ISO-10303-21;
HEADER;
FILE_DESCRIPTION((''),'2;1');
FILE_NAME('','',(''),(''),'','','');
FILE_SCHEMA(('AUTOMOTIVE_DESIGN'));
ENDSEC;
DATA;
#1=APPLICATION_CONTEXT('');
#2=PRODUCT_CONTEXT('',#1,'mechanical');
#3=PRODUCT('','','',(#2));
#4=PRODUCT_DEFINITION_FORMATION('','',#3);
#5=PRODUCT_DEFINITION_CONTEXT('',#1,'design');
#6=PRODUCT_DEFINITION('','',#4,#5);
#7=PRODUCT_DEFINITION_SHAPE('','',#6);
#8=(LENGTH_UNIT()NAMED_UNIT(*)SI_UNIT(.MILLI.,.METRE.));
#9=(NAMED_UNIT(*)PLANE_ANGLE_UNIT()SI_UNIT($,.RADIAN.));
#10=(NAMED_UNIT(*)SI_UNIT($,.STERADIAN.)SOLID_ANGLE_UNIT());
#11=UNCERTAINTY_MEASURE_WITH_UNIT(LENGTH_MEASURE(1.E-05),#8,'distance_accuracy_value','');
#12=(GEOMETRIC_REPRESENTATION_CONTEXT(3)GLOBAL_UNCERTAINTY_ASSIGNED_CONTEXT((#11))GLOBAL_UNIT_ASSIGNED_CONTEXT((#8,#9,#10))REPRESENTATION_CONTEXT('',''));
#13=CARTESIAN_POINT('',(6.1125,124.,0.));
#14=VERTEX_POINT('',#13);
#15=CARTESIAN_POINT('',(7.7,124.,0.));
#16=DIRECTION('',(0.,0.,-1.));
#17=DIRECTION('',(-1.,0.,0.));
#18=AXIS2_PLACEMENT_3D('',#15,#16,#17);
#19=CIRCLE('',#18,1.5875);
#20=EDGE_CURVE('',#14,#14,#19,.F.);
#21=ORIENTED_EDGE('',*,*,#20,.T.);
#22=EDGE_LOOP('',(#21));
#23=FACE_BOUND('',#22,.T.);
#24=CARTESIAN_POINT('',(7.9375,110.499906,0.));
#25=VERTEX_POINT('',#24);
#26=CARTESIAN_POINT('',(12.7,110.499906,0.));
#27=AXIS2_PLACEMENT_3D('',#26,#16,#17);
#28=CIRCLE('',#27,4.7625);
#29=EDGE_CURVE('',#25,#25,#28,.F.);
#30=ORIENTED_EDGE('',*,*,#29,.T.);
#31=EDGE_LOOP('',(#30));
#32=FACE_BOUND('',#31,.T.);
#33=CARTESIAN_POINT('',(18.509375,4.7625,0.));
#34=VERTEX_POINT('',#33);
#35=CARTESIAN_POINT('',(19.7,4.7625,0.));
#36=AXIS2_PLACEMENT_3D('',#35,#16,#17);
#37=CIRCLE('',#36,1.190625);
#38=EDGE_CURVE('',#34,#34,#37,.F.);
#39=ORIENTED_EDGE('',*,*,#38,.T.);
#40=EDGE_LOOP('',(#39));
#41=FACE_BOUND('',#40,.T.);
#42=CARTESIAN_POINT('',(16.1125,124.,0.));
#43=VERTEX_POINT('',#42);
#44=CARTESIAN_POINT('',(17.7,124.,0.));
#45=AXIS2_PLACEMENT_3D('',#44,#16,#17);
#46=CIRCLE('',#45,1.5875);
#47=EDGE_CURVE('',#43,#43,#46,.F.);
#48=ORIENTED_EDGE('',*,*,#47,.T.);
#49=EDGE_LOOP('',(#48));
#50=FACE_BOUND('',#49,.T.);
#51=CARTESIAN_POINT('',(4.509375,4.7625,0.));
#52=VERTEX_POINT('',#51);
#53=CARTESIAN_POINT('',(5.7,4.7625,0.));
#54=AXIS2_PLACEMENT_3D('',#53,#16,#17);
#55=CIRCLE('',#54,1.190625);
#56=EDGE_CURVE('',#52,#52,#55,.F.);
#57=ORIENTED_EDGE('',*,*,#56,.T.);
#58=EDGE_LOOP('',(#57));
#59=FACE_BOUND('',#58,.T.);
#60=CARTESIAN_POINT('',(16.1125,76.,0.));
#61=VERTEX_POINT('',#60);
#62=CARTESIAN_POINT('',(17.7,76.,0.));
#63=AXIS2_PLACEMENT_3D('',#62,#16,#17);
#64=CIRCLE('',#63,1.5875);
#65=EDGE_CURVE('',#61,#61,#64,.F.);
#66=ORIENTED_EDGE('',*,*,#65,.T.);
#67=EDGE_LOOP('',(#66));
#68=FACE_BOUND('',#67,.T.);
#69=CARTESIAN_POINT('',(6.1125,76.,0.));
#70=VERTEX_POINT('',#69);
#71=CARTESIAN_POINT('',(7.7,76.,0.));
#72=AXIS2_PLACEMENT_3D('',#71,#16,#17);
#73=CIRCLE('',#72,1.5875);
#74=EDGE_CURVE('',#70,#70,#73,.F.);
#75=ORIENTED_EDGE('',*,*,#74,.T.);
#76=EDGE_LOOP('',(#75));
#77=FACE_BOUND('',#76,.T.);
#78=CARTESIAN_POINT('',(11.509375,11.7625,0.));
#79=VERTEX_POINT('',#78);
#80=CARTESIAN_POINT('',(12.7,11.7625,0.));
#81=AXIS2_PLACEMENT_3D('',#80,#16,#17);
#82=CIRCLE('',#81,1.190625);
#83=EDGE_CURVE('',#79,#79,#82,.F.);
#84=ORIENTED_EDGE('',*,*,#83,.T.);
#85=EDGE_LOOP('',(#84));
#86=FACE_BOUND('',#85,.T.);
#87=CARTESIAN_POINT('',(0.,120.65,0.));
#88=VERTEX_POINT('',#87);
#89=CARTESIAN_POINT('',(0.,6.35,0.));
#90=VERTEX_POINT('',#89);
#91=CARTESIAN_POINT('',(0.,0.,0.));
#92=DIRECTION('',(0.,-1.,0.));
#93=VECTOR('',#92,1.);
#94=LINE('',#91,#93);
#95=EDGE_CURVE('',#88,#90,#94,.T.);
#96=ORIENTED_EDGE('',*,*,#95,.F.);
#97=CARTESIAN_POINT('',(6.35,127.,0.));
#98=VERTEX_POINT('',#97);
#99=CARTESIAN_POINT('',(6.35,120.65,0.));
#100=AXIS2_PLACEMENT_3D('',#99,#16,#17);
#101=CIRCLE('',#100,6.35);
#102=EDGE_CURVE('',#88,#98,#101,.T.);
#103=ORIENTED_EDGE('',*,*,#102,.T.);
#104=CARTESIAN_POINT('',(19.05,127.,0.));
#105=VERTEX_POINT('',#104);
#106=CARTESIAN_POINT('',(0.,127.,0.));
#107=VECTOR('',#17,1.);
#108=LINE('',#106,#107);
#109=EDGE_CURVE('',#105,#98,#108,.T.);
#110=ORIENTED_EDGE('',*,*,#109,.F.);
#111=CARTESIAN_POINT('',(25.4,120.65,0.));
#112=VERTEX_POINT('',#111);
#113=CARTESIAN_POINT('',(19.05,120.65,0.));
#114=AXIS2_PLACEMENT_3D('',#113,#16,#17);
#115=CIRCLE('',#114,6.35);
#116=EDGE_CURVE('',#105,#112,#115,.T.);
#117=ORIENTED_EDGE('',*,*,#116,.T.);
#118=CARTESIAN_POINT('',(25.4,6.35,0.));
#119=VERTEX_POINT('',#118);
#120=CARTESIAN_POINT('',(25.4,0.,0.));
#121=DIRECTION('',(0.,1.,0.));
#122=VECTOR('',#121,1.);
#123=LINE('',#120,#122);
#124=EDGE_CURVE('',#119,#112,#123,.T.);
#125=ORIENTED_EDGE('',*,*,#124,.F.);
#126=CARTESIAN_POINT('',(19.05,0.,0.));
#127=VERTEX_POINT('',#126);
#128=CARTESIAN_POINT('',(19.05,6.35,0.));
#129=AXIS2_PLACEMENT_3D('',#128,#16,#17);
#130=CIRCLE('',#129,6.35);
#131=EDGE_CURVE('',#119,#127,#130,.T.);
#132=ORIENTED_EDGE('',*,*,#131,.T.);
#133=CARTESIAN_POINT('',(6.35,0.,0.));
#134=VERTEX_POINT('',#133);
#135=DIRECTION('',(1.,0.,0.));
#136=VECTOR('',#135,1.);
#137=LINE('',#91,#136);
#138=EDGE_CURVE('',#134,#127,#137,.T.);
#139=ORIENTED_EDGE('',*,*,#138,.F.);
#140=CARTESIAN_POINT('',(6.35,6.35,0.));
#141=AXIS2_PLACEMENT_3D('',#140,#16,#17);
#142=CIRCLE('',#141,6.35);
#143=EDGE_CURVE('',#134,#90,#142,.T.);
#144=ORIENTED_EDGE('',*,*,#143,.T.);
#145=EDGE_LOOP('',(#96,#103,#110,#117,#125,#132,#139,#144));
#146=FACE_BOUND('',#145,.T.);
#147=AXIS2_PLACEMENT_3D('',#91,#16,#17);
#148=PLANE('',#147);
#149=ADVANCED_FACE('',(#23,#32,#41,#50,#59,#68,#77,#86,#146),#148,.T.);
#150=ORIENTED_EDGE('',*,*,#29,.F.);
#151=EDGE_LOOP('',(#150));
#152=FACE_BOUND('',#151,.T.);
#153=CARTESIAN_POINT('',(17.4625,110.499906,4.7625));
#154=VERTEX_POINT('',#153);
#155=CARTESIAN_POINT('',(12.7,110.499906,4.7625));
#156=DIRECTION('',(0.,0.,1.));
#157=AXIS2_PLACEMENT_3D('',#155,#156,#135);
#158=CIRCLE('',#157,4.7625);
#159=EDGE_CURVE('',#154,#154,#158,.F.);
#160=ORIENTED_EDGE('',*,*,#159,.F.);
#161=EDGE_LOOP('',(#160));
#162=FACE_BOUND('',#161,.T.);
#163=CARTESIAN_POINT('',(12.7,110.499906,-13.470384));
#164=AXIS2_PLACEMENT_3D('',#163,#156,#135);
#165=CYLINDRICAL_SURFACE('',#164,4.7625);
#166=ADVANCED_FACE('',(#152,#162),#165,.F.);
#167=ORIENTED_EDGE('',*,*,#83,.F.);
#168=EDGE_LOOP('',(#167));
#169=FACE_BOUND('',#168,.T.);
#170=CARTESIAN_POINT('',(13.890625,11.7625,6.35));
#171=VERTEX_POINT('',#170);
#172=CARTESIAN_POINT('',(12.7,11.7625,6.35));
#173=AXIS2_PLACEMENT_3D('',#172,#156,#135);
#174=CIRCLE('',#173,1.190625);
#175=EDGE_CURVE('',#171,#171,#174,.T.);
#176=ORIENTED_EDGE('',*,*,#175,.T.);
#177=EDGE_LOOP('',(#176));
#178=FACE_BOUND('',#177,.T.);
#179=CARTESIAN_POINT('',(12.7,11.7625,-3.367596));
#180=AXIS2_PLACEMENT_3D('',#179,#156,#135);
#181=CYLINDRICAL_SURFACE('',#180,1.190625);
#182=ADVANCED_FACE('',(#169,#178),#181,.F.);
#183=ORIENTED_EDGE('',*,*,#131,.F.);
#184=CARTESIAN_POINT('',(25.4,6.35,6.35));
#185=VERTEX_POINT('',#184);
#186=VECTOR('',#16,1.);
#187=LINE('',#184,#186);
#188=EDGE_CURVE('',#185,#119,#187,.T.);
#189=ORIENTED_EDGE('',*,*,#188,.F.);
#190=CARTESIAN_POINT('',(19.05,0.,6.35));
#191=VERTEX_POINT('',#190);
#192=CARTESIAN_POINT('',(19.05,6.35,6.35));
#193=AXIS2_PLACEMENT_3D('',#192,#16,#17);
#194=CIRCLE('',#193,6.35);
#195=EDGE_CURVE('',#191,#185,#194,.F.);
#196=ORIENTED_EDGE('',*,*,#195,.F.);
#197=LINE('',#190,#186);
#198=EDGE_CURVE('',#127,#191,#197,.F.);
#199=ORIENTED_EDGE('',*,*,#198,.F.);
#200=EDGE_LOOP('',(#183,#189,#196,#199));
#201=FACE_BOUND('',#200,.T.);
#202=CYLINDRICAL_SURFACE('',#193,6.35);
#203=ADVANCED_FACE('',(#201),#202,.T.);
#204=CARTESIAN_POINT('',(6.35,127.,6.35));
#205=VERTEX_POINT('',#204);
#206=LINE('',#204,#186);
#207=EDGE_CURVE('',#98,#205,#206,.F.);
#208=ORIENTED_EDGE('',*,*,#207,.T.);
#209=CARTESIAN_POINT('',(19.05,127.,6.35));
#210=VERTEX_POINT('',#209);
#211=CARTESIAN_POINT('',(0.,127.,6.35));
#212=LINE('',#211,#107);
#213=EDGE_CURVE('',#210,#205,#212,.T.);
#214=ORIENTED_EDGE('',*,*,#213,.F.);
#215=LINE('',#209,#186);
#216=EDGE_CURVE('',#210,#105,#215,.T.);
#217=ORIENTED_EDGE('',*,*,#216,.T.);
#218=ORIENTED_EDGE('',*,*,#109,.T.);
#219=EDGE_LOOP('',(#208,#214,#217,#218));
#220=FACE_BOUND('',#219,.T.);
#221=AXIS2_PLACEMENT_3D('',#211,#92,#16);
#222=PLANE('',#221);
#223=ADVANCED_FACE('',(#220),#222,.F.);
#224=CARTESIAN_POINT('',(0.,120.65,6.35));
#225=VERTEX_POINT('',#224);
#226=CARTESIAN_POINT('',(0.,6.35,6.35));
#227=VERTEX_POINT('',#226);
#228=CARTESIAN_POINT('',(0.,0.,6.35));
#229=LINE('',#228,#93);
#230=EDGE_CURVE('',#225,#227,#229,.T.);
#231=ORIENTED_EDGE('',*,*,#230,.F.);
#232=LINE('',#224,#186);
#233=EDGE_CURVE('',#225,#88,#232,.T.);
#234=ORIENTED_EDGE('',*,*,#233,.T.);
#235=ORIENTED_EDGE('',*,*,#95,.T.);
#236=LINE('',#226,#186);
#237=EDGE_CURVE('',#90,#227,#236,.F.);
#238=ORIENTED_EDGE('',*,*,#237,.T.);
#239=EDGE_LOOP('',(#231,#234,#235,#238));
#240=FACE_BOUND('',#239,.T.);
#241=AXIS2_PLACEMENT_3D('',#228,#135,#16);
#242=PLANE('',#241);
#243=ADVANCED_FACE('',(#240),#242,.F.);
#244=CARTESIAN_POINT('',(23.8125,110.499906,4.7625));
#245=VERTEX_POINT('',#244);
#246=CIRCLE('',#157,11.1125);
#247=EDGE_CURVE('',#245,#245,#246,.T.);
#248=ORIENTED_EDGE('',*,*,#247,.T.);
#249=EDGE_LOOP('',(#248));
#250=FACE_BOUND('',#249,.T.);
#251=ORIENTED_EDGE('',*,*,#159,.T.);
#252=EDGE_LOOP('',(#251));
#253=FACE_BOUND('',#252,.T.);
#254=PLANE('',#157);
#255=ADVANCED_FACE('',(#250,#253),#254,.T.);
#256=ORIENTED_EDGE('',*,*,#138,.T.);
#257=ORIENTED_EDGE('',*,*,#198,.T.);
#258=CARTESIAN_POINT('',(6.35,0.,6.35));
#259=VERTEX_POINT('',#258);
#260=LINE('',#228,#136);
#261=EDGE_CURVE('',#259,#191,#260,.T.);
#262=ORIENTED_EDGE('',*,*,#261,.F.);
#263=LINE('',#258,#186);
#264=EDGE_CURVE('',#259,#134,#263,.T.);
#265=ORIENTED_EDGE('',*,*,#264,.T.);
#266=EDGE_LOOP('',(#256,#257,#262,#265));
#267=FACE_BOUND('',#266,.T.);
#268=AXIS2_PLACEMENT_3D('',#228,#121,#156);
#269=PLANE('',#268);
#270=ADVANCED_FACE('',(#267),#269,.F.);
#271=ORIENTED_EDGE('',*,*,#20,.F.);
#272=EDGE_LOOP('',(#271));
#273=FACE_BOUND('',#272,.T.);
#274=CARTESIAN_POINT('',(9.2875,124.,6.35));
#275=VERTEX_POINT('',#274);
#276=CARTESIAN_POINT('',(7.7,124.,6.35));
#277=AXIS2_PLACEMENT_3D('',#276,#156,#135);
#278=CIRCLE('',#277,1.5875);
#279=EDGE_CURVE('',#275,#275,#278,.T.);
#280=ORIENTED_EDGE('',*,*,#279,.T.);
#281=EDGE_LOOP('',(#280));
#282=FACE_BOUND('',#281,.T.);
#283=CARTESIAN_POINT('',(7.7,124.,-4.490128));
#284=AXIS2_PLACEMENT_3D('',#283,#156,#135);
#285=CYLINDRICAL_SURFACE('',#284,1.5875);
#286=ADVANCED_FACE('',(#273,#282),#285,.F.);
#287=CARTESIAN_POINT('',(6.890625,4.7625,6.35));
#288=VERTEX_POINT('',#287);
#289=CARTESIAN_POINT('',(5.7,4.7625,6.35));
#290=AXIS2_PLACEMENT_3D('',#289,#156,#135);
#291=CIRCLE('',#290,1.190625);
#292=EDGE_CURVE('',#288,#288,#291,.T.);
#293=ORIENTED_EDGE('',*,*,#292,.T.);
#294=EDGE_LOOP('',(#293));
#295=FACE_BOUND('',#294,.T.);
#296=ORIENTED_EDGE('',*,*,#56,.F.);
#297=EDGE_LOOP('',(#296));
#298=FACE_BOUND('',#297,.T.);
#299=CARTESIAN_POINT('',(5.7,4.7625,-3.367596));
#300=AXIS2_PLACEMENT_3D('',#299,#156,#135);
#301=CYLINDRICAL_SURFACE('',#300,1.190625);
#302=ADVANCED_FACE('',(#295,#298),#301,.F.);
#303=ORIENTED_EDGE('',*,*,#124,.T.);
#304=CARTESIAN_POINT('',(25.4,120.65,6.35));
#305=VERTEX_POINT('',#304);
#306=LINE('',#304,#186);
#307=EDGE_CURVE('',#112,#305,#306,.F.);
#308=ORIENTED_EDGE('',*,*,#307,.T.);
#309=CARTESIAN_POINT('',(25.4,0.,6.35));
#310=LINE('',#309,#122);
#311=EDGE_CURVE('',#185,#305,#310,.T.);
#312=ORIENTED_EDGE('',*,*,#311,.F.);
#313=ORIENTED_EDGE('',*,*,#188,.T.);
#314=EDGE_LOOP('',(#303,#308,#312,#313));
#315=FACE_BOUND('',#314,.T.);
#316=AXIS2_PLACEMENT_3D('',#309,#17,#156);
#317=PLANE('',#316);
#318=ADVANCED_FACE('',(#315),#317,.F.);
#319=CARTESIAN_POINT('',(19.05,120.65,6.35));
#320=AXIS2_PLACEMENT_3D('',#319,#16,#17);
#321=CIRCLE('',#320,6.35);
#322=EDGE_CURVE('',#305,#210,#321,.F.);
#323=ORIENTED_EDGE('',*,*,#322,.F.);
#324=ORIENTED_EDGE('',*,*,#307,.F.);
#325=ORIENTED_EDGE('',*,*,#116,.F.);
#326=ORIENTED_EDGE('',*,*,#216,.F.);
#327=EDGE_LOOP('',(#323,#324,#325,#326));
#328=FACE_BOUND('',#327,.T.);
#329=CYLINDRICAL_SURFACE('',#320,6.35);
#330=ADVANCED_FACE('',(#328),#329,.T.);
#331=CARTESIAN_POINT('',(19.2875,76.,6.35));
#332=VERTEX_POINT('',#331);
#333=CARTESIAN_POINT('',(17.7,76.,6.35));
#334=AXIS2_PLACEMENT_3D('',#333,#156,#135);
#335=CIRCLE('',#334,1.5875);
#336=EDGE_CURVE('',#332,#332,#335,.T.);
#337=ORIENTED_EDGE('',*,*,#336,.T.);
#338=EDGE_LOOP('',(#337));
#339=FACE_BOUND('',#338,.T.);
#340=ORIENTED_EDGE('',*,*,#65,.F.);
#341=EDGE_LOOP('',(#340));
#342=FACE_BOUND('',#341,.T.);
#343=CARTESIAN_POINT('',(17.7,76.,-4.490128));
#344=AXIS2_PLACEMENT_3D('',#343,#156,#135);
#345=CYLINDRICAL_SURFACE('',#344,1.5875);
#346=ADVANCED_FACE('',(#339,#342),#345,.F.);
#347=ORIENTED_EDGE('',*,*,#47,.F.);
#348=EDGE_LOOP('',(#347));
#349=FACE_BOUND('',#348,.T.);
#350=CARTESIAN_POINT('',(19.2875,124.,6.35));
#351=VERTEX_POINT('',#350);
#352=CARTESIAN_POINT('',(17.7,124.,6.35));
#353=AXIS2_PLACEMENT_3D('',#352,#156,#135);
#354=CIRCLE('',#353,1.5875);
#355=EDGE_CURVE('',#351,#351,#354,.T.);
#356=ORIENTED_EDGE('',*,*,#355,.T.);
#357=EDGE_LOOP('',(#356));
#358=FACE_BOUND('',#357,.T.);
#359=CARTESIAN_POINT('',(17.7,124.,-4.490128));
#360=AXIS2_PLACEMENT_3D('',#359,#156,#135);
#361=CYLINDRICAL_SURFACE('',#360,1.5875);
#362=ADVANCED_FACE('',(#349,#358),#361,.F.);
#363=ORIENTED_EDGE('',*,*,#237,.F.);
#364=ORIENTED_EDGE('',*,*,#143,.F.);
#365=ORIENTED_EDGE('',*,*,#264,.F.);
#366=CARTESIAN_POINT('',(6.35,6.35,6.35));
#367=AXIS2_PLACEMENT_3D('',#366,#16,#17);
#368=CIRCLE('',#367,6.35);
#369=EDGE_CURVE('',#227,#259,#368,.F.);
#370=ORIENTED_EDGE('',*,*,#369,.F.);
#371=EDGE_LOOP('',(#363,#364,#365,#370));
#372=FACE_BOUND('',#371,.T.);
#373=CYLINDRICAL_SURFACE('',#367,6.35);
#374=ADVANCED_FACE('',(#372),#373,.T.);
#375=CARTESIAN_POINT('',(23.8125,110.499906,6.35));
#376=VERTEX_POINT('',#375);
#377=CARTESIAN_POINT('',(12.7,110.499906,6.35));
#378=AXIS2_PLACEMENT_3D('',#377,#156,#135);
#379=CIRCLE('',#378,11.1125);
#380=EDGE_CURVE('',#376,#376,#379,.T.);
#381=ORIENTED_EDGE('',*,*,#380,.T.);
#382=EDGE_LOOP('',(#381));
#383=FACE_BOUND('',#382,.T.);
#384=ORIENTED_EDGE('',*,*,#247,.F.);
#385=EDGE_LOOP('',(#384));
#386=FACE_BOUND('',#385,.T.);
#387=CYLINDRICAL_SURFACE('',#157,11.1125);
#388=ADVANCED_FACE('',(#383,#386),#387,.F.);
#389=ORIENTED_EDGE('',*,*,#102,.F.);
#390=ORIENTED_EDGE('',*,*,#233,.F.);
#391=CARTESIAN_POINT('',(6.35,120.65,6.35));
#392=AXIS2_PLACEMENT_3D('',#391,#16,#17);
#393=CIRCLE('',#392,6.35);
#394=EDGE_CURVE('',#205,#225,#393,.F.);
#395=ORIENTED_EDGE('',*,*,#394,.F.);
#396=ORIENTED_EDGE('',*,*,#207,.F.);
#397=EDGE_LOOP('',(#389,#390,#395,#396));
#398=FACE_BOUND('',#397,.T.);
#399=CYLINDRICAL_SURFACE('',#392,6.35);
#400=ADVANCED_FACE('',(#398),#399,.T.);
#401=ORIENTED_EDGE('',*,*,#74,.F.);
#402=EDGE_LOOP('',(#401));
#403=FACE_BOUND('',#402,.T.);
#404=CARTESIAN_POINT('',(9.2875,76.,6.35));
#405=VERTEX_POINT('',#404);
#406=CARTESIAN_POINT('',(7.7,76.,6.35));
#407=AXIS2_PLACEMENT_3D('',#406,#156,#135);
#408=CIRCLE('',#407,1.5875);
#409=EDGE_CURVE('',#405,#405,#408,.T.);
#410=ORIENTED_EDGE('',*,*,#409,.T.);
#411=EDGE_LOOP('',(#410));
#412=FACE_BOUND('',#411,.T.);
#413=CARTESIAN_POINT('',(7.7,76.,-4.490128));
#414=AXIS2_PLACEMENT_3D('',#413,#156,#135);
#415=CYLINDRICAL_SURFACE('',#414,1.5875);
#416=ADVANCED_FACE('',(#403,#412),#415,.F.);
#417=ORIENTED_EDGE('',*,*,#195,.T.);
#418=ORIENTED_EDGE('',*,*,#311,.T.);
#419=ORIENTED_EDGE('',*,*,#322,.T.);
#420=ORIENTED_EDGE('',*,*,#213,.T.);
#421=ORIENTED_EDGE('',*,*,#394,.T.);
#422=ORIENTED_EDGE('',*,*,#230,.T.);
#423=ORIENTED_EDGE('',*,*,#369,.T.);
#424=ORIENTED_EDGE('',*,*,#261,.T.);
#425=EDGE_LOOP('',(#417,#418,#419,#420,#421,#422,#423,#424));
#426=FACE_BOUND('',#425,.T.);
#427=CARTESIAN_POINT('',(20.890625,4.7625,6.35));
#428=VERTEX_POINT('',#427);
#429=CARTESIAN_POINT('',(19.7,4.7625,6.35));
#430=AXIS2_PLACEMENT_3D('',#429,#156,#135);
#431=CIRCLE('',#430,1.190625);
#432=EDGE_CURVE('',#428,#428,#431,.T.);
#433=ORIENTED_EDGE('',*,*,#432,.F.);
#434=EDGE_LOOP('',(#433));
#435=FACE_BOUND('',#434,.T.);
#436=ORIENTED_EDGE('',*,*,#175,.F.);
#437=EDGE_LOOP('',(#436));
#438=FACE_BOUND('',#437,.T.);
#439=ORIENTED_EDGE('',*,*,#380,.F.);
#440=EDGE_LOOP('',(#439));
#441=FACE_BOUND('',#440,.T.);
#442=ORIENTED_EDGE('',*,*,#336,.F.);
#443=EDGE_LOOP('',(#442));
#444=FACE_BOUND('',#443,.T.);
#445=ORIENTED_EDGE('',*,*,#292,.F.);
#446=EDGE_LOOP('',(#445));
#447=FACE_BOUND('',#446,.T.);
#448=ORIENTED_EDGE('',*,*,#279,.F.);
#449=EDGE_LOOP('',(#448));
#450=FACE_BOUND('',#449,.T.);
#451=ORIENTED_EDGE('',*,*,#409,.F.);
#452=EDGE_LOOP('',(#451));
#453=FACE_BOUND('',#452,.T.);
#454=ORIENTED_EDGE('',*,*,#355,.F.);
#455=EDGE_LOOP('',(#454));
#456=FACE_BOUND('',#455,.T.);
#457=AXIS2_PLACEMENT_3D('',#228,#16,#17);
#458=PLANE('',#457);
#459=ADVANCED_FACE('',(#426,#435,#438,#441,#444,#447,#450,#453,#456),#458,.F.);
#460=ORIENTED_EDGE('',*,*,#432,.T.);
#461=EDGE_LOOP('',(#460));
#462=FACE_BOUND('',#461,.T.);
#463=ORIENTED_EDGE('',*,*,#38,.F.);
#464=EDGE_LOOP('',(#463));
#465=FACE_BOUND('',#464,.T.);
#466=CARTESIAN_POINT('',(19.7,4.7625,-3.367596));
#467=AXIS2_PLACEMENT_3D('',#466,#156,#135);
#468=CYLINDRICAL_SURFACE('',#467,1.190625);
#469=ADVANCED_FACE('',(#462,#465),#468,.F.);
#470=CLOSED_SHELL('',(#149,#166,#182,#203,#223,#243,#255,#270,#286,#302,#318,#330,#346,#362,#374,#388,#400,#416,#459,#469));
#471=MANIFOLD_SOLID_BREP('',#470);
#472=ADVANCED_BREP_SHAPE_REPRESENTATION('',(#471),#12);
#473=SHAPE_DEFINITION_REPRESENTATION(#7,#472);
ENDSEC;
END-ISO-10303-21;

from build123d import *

# Parameters (mm, degrees)
SKETCH1_W           = 25.4
SKETCH1_H           = 127
BOSS_EXTRUDE1_DEPTH = 6.35
SKETCH2_R           = 1.190625
CUT_EXTRUDE1_DEPTH  = 6.35
FILLET1_R           = 6.35
SKETCH3_R           = 4.7625
CUT_EXTRUDE2_DEPTH  = 6.35
FILLET2_R           = 6.35
SKETCH4_R           = 11.1125
CUT_EXTRUDE3_DEPTH  = 1.5875
SKETCH5_R           = 1.5875
CUT_EXTRUDE4_DEPTH  = 6.35


with BuildPart() as part:
    # Sketch1 → Boss-Extrude1 (new body)
    with BuildSketch(Plane.XY):
        with Locations((12.7, 63.5)):
            Rectangle(SKETCH1_W, SKETCH1_H)
    extrude(amount=BOSS_EXTRUDE1_DEPTH)

    # Sketch2 → Cut-Extrude1 (cut)
    with BuildSketch(Plane.XY.offset(6.35)):
        with Locations((5.7, 4.7625)):
            Circle(SKETCH2_R)
        with Locations((19.7, 4.7625)):
            Circle(SKETCH2_R)
        with Locations((12.7, 11.7625)):
            Circle(SKETCH2_R)
    extrude(amount=-CUT_EXTRUDE1_DEPTH, mode=Mode.SUBTRACT)

    # Fillet1
    fillet1_edges = [part.edges().sort_by_distance(p)[0] for p in [
        (25.4, 0, 3.175),
        (0, 0, 3.175),
    ]]
    fillet(fillet1_edges, radius=FILLET1_R)

    # Sketch3 → Cut-Extrude2 (cut)
    with BuildSketch(Plane.XY.offset(6.35)):
        with Locations((12.7, 110.499906)):
            Circle(SKETCH3_R)
    extrude(amount=-CUT_EXTRUDE2_DEPTH, mode=Mode.SUBTRACT)

    # Fillet2
    fillet2_edges = [part.edges().sort_by_distance(p)[0] for p in [
        (0, 127, 3.175),
        (25.4, 127, 3.175),
    ]]
    fillet(fillet2_edges, radius=FILLET2_R)

    # Sketch4 → Cut-Extrude3 (cut)
    with BuildSketch(Plane.XY.offset(6.35)):
        with Locations((12.7, 110.499906)):
            Circle(SKETCH4_R)
    extrude(amount=-CUT_EXTRUDE3_DEPTH, mode=Mode.SUBTRACT)

    # Sketch5 → Cut-Extrude4 (cut)
    with BuildSketch(Plane.XY.offset(6.35)):
        with Locations((17.7, 124)):
            Circle(SKETCH5_R)
        with Locations((7.7, 124)):
            Circle(SKETCH5_R)
        with Locations((17.7, 76)):
            Circle(SKETCH5_R)
        with Locations((7.7, 76)):
            Circle(SKETCH5_R)
    extrude(amount=-CUT_EXTRUDE4_DEPTH, mode=Mode.SUBTRACT)


solid = part.part
